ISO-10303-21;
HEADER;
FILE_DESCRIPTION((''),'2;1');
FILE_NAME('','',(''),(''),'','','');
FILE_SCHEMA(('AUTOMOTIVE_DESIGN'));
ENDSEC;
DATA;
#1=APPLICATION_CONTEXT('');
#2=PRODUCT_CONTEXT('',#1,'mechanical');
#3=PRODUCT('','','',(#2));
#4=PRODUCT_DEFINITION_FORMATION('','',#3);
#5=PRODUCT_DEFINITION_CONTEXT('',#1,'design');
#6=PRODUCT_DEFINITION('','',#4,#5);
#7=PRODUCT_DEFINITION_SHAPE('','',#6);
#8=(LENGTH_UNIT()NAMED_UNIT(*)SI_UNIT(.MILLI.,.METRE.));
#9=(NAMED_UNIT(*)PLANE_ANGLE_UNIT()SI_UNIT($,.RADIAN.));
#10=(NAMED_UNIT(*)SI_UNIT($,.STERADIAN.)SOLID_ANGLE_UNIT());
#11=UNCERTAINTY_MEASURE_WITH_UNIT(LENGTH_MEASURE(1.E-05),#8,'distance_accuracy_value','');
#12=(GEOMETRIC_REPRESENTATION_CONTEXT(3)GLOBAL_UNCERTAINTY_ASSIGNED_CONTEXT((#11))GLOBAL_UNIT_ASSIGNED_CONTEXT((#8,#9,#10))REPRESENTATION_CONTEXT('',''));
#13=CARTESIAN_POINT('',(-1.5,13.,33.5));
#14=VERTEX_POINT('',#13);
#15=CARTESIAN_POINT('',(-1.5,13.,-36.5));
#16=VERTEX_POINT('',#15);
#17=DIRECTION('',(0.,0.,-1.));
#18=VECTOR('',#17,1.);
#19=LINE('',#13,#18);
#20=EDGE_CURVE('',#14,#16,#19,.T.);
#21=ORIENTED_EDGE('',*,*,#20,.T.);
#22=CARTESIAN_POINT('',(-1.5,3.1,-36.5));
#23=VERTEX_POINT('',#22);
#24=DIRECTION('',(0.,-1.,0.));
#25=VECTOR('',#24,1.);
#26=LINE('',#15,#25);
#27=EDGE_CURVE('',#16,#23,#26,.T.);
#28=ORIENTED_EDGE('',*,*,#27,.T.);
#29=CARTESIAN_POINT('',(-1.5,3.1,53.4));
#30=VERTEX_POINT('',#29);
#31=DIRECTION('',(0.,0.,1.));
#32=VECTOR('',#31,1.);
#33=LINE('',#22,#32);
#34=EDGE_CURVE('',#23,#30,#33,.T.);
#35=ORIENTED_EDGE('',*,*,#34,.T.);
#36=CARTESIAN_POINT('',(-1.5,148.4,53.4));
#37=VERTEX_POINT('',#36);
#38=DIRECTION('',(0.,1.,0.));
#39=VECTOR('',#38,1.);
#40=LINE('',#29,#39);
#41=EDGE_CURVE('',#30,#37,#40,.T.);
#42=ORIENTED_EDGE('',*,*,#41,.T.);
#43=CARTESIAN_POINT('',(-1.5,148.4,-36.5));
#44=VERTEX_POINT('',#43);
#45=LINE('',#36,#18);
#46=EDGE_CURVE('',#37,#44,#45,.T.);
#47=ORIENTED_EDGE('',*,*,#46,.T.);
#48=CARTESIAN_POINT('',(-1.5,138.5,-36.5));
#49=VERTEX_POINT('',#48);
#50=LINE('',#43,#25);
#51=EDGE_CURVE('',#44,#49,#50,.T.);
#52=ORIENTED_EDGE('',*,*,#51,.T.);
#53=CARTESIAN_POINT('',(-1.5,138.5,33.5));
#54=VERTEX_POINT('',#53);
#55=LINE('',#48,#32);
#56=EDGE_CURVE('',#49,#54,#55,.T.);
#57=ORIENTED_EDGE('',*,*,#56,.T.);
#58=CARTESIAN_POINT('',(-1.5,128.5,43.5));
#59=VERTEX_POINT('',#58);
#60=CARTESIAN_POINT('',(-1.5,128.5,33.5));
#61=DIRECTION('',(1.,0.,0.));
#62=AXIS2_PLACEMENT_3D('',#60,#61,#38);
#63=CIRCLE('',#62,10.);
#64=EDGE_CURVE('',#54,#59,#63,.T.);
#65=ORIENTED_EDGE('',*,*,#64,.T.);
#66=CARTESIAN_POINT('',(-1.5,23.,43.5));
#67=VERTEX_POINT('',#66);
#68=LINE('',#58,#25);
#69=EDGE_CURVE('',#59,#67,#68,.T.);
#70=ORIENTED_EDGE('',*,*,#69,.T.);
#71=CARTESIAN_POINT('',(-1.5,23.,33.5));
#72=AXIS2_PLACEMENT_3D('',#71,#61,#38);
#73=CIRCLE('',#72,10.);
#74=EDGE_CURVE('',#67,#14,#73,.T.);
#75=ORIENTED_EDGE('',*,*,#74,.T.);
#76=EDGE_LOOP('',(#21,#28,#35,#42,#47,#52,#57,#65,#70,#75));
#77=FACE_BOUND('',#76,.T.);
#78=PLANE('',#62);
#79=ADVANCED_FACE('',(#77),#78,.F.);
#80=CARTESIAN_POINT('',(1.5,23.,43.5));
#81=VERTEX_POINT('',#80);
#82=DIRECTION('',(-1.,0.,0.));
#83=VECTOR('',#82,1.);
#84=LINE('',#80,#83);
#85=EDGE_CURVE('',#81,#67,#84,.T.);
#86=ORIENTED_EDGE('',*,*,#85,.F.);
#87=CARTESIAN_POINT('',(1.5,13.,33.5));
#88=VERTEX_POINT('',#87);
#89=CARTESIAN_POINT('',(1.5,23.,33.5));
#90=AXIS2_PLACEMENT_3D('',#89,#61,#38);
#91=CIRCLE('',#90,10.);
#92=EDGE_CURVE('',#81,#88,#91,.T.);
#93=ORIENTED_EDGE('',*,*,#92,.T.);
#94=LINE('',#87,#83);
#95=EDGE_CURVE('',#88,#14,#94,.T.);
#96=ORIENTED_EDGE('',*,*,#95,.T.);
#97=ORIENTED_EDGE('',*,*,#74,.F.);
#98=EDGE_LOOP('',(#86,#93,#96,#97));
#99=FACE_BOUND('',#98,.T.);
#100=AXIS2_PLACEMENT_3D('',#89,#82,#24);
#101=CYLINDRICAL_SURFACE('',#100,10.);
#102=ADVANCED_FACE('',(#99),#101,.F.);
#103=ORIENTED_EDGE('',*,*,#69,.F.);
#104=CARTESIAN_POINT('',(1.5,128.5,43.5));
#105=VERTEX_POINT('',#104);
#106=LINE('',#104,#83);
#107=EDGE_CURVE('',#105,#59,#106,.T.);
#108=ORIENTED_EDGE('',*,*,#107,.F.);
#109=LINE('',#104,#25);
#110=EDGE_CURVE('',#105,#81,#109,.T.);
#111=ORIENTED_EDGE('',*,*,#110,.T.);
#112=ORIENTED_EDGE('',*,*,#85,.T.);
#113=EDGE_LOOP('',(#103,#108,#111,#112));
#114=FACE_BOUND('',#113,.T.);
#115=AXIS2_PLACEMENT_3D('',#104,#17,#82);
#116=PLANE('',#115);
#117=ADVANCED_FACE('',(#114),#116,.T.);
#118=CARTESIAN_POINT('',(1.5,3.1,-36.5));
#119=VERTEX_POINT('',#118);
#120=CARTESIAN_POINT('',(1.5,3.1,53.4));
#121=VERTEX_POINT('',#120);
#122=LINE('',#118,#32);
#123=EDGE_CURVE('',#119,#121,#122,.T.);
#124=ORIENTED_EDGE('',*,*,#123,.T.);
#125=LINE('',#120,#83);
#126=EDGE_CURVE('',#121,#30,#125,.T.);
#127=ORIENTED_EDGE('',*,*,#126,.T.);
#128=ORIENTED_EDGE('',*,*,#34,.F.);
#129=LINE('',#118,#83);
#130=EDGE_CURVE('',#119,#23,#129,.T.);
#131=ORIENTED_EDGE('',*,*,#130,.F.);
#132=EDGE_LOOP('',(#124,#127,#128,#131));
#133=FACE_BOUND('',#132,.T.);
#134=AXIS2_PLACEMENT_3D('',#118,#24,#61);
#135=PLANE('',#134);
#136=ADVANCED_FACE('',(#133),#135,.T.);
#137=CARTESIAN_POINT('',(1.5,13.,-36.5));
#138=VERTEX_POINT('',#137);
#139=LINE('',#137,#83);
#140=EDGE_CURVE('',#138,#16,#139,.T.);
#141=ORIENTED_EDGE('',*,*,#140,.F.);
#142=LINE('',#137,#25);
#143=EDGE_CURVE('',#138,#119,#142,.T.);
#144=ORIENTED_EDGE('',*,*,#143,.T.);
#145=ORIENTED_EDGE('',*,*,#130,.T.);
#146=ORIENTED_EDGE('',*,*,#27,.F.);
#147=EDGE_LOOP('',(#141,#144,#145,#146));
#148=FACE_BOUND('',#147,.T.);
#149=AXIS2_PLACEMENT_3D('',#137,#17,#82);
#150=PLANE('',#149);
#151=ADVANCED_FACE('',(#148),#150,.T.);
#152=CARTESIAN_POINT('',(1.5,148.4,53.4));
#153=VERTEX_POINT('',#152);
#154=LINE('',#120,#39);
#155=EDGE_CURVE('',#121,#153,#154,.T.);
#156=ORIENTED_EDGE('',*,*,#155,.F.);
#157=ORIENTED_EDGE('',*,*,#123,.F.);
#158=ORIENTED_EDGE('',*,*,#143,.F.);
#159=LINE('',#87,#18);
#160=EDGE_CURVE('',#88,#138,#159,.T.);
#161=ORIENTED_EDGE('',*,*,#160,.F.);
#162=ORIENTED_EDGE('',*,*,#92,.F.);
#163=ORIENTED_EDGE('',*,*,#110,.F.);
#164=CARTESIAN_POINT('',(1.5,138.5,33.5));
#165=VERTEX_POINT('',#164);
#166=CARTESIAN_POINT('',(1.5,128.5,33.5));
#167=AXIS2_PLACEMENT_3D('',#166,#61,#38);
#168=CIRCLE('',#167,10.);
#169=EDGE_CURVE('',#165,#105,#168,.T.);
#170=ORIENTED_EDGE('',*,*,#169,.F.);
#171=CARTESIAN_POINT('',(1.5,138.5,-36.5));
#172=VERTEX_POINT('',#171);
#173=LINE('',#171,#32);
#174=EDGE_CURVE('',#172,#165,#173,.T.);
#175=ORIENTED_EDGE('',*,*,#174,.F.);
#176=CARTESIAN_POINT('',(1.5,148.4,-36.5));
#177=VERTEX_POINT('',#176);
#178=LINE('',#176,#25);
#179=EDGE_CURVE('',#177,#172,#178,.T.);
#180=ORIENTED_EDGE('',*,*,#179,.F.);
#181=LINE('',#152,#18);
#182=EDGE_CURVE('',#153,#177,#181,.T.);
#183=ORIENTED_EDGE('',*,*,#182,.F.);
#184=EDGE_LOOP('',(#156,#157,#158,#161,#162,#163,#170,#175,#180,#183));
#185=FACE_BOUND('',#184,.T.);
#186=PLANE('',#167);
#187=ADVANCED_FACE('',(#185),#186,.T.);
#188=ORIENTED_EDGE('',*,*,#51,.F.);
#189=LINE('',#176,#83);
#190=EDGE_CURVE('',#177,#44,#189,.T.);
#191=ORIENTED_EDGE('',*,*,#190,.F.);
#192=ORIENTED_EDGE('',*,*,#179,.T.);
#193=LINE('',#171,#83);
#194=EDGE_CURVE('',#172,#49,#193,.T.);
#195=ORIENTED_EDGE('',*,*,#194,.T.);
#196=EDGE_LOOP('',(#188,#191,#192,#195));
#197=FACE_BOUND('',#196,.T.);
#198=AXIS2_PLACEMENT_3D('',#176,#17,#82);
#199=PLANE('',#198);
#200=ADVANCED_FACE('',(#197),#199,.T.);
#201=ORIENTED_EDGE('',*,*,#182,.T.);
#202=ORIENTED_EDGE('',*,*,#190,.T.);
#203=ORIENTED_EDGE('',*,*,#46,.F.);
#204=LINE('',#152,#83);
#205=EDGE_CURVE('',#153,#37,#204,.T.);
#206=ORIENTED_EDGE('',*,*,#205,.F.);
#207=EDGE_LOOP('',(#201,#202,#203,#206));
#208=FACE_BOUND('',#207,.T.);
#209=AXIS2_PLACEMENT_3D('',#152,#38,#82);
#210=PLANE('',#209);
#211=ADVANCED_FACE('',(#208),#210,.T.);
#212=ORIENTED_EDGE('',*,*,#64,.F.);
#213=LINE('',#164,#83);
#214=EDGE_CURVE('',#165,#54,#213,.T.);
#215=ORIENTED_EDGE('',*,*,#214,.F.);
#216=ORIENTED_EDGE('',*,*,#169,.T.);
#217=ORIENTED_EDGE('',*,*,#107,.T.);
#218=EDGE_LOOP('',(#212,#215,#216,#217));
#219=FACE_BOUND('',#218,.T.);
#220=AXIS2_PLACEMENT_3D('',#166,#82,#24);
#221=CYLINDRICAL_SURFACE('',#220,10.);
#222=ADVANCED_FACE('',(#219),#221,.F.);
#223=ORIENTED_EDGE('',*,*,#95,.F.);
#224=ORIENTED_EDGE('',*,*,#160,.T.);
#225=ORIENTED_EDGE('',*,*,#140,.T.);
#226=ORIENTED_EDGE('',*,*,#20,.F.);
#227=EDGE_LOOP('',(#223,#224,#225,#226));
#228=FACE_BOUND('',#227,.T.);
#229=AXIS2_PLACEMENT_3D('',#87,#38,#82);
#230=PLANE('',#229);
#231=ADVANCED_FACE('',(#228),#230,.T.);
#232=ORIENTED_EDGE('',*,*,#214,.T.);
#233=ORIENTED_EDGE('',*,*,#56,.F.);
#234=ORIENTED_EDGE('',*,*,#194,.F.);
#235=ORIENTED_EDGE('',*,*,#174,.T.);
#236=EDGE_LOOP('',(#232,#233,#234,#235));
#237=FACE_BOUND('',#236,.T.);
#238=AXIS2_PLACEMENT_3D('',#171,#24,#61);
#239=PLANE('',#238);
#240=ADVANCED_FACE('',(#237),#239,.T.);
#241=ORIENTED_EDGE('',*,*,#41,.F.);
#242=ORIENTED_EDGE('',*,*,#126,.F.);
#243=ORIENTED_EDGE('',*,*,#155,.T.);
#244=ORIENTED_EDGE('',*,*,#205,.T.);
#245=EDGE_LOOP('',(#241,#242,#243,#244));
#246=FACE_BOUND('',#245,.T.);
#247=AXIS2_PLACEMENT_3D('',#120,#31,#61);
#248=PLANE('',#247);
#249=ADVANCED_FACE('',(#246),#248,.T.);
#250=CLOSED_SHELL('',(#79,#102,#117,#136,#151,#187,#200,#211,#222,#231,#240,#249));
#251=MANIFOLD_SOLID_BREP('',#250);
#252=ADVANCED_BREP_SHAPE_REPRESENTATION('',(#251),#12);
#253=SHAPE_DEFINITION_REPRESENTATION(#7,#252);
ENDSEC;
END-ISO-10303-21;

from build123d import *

# Parameters (mm, degrees)
EXTRUDE_1_DEPTH = 3


with BuildPart() as part:
    # Эскиз1 → Бобышка-Вытянуть1 (new body)
    with BuildSketch(Plane(origin=(-1.5, 0, 0), x_dir=(0, -1, 0), z_dir=(-1, 0, 0))):
        with BuildLine():
            Line((-138.5, -36.5), (-138.5, 33.5))
            ThreePointArc((-138.5, 33.5), (-135.571067812, 40.571067812), (-128.5, 43.5))
            Line((-128.5, 43.5), (-23, 43.5))
            ThreePointArc((-23, 43.5), (-15.928932188, 40.571067812), (-13, 33.5))
            Line((-13, 33.5), (-13, -36.5))
            Line((-13, -36.5), (-3.1, -36.5))
            Line((-3.1, -36.5), (-3.1, 53.4))
            Line((-3.1, 53.4), (-148.4, 53.4))
            Line((-148.4, 53.4), (-148.4, -36.5))
            Line((-148.4, -36.5), (-138.5, -36.5))
        make_face()
    extrude(amount=-EXTRUDE_1_DEPTH)


solid = part.part
